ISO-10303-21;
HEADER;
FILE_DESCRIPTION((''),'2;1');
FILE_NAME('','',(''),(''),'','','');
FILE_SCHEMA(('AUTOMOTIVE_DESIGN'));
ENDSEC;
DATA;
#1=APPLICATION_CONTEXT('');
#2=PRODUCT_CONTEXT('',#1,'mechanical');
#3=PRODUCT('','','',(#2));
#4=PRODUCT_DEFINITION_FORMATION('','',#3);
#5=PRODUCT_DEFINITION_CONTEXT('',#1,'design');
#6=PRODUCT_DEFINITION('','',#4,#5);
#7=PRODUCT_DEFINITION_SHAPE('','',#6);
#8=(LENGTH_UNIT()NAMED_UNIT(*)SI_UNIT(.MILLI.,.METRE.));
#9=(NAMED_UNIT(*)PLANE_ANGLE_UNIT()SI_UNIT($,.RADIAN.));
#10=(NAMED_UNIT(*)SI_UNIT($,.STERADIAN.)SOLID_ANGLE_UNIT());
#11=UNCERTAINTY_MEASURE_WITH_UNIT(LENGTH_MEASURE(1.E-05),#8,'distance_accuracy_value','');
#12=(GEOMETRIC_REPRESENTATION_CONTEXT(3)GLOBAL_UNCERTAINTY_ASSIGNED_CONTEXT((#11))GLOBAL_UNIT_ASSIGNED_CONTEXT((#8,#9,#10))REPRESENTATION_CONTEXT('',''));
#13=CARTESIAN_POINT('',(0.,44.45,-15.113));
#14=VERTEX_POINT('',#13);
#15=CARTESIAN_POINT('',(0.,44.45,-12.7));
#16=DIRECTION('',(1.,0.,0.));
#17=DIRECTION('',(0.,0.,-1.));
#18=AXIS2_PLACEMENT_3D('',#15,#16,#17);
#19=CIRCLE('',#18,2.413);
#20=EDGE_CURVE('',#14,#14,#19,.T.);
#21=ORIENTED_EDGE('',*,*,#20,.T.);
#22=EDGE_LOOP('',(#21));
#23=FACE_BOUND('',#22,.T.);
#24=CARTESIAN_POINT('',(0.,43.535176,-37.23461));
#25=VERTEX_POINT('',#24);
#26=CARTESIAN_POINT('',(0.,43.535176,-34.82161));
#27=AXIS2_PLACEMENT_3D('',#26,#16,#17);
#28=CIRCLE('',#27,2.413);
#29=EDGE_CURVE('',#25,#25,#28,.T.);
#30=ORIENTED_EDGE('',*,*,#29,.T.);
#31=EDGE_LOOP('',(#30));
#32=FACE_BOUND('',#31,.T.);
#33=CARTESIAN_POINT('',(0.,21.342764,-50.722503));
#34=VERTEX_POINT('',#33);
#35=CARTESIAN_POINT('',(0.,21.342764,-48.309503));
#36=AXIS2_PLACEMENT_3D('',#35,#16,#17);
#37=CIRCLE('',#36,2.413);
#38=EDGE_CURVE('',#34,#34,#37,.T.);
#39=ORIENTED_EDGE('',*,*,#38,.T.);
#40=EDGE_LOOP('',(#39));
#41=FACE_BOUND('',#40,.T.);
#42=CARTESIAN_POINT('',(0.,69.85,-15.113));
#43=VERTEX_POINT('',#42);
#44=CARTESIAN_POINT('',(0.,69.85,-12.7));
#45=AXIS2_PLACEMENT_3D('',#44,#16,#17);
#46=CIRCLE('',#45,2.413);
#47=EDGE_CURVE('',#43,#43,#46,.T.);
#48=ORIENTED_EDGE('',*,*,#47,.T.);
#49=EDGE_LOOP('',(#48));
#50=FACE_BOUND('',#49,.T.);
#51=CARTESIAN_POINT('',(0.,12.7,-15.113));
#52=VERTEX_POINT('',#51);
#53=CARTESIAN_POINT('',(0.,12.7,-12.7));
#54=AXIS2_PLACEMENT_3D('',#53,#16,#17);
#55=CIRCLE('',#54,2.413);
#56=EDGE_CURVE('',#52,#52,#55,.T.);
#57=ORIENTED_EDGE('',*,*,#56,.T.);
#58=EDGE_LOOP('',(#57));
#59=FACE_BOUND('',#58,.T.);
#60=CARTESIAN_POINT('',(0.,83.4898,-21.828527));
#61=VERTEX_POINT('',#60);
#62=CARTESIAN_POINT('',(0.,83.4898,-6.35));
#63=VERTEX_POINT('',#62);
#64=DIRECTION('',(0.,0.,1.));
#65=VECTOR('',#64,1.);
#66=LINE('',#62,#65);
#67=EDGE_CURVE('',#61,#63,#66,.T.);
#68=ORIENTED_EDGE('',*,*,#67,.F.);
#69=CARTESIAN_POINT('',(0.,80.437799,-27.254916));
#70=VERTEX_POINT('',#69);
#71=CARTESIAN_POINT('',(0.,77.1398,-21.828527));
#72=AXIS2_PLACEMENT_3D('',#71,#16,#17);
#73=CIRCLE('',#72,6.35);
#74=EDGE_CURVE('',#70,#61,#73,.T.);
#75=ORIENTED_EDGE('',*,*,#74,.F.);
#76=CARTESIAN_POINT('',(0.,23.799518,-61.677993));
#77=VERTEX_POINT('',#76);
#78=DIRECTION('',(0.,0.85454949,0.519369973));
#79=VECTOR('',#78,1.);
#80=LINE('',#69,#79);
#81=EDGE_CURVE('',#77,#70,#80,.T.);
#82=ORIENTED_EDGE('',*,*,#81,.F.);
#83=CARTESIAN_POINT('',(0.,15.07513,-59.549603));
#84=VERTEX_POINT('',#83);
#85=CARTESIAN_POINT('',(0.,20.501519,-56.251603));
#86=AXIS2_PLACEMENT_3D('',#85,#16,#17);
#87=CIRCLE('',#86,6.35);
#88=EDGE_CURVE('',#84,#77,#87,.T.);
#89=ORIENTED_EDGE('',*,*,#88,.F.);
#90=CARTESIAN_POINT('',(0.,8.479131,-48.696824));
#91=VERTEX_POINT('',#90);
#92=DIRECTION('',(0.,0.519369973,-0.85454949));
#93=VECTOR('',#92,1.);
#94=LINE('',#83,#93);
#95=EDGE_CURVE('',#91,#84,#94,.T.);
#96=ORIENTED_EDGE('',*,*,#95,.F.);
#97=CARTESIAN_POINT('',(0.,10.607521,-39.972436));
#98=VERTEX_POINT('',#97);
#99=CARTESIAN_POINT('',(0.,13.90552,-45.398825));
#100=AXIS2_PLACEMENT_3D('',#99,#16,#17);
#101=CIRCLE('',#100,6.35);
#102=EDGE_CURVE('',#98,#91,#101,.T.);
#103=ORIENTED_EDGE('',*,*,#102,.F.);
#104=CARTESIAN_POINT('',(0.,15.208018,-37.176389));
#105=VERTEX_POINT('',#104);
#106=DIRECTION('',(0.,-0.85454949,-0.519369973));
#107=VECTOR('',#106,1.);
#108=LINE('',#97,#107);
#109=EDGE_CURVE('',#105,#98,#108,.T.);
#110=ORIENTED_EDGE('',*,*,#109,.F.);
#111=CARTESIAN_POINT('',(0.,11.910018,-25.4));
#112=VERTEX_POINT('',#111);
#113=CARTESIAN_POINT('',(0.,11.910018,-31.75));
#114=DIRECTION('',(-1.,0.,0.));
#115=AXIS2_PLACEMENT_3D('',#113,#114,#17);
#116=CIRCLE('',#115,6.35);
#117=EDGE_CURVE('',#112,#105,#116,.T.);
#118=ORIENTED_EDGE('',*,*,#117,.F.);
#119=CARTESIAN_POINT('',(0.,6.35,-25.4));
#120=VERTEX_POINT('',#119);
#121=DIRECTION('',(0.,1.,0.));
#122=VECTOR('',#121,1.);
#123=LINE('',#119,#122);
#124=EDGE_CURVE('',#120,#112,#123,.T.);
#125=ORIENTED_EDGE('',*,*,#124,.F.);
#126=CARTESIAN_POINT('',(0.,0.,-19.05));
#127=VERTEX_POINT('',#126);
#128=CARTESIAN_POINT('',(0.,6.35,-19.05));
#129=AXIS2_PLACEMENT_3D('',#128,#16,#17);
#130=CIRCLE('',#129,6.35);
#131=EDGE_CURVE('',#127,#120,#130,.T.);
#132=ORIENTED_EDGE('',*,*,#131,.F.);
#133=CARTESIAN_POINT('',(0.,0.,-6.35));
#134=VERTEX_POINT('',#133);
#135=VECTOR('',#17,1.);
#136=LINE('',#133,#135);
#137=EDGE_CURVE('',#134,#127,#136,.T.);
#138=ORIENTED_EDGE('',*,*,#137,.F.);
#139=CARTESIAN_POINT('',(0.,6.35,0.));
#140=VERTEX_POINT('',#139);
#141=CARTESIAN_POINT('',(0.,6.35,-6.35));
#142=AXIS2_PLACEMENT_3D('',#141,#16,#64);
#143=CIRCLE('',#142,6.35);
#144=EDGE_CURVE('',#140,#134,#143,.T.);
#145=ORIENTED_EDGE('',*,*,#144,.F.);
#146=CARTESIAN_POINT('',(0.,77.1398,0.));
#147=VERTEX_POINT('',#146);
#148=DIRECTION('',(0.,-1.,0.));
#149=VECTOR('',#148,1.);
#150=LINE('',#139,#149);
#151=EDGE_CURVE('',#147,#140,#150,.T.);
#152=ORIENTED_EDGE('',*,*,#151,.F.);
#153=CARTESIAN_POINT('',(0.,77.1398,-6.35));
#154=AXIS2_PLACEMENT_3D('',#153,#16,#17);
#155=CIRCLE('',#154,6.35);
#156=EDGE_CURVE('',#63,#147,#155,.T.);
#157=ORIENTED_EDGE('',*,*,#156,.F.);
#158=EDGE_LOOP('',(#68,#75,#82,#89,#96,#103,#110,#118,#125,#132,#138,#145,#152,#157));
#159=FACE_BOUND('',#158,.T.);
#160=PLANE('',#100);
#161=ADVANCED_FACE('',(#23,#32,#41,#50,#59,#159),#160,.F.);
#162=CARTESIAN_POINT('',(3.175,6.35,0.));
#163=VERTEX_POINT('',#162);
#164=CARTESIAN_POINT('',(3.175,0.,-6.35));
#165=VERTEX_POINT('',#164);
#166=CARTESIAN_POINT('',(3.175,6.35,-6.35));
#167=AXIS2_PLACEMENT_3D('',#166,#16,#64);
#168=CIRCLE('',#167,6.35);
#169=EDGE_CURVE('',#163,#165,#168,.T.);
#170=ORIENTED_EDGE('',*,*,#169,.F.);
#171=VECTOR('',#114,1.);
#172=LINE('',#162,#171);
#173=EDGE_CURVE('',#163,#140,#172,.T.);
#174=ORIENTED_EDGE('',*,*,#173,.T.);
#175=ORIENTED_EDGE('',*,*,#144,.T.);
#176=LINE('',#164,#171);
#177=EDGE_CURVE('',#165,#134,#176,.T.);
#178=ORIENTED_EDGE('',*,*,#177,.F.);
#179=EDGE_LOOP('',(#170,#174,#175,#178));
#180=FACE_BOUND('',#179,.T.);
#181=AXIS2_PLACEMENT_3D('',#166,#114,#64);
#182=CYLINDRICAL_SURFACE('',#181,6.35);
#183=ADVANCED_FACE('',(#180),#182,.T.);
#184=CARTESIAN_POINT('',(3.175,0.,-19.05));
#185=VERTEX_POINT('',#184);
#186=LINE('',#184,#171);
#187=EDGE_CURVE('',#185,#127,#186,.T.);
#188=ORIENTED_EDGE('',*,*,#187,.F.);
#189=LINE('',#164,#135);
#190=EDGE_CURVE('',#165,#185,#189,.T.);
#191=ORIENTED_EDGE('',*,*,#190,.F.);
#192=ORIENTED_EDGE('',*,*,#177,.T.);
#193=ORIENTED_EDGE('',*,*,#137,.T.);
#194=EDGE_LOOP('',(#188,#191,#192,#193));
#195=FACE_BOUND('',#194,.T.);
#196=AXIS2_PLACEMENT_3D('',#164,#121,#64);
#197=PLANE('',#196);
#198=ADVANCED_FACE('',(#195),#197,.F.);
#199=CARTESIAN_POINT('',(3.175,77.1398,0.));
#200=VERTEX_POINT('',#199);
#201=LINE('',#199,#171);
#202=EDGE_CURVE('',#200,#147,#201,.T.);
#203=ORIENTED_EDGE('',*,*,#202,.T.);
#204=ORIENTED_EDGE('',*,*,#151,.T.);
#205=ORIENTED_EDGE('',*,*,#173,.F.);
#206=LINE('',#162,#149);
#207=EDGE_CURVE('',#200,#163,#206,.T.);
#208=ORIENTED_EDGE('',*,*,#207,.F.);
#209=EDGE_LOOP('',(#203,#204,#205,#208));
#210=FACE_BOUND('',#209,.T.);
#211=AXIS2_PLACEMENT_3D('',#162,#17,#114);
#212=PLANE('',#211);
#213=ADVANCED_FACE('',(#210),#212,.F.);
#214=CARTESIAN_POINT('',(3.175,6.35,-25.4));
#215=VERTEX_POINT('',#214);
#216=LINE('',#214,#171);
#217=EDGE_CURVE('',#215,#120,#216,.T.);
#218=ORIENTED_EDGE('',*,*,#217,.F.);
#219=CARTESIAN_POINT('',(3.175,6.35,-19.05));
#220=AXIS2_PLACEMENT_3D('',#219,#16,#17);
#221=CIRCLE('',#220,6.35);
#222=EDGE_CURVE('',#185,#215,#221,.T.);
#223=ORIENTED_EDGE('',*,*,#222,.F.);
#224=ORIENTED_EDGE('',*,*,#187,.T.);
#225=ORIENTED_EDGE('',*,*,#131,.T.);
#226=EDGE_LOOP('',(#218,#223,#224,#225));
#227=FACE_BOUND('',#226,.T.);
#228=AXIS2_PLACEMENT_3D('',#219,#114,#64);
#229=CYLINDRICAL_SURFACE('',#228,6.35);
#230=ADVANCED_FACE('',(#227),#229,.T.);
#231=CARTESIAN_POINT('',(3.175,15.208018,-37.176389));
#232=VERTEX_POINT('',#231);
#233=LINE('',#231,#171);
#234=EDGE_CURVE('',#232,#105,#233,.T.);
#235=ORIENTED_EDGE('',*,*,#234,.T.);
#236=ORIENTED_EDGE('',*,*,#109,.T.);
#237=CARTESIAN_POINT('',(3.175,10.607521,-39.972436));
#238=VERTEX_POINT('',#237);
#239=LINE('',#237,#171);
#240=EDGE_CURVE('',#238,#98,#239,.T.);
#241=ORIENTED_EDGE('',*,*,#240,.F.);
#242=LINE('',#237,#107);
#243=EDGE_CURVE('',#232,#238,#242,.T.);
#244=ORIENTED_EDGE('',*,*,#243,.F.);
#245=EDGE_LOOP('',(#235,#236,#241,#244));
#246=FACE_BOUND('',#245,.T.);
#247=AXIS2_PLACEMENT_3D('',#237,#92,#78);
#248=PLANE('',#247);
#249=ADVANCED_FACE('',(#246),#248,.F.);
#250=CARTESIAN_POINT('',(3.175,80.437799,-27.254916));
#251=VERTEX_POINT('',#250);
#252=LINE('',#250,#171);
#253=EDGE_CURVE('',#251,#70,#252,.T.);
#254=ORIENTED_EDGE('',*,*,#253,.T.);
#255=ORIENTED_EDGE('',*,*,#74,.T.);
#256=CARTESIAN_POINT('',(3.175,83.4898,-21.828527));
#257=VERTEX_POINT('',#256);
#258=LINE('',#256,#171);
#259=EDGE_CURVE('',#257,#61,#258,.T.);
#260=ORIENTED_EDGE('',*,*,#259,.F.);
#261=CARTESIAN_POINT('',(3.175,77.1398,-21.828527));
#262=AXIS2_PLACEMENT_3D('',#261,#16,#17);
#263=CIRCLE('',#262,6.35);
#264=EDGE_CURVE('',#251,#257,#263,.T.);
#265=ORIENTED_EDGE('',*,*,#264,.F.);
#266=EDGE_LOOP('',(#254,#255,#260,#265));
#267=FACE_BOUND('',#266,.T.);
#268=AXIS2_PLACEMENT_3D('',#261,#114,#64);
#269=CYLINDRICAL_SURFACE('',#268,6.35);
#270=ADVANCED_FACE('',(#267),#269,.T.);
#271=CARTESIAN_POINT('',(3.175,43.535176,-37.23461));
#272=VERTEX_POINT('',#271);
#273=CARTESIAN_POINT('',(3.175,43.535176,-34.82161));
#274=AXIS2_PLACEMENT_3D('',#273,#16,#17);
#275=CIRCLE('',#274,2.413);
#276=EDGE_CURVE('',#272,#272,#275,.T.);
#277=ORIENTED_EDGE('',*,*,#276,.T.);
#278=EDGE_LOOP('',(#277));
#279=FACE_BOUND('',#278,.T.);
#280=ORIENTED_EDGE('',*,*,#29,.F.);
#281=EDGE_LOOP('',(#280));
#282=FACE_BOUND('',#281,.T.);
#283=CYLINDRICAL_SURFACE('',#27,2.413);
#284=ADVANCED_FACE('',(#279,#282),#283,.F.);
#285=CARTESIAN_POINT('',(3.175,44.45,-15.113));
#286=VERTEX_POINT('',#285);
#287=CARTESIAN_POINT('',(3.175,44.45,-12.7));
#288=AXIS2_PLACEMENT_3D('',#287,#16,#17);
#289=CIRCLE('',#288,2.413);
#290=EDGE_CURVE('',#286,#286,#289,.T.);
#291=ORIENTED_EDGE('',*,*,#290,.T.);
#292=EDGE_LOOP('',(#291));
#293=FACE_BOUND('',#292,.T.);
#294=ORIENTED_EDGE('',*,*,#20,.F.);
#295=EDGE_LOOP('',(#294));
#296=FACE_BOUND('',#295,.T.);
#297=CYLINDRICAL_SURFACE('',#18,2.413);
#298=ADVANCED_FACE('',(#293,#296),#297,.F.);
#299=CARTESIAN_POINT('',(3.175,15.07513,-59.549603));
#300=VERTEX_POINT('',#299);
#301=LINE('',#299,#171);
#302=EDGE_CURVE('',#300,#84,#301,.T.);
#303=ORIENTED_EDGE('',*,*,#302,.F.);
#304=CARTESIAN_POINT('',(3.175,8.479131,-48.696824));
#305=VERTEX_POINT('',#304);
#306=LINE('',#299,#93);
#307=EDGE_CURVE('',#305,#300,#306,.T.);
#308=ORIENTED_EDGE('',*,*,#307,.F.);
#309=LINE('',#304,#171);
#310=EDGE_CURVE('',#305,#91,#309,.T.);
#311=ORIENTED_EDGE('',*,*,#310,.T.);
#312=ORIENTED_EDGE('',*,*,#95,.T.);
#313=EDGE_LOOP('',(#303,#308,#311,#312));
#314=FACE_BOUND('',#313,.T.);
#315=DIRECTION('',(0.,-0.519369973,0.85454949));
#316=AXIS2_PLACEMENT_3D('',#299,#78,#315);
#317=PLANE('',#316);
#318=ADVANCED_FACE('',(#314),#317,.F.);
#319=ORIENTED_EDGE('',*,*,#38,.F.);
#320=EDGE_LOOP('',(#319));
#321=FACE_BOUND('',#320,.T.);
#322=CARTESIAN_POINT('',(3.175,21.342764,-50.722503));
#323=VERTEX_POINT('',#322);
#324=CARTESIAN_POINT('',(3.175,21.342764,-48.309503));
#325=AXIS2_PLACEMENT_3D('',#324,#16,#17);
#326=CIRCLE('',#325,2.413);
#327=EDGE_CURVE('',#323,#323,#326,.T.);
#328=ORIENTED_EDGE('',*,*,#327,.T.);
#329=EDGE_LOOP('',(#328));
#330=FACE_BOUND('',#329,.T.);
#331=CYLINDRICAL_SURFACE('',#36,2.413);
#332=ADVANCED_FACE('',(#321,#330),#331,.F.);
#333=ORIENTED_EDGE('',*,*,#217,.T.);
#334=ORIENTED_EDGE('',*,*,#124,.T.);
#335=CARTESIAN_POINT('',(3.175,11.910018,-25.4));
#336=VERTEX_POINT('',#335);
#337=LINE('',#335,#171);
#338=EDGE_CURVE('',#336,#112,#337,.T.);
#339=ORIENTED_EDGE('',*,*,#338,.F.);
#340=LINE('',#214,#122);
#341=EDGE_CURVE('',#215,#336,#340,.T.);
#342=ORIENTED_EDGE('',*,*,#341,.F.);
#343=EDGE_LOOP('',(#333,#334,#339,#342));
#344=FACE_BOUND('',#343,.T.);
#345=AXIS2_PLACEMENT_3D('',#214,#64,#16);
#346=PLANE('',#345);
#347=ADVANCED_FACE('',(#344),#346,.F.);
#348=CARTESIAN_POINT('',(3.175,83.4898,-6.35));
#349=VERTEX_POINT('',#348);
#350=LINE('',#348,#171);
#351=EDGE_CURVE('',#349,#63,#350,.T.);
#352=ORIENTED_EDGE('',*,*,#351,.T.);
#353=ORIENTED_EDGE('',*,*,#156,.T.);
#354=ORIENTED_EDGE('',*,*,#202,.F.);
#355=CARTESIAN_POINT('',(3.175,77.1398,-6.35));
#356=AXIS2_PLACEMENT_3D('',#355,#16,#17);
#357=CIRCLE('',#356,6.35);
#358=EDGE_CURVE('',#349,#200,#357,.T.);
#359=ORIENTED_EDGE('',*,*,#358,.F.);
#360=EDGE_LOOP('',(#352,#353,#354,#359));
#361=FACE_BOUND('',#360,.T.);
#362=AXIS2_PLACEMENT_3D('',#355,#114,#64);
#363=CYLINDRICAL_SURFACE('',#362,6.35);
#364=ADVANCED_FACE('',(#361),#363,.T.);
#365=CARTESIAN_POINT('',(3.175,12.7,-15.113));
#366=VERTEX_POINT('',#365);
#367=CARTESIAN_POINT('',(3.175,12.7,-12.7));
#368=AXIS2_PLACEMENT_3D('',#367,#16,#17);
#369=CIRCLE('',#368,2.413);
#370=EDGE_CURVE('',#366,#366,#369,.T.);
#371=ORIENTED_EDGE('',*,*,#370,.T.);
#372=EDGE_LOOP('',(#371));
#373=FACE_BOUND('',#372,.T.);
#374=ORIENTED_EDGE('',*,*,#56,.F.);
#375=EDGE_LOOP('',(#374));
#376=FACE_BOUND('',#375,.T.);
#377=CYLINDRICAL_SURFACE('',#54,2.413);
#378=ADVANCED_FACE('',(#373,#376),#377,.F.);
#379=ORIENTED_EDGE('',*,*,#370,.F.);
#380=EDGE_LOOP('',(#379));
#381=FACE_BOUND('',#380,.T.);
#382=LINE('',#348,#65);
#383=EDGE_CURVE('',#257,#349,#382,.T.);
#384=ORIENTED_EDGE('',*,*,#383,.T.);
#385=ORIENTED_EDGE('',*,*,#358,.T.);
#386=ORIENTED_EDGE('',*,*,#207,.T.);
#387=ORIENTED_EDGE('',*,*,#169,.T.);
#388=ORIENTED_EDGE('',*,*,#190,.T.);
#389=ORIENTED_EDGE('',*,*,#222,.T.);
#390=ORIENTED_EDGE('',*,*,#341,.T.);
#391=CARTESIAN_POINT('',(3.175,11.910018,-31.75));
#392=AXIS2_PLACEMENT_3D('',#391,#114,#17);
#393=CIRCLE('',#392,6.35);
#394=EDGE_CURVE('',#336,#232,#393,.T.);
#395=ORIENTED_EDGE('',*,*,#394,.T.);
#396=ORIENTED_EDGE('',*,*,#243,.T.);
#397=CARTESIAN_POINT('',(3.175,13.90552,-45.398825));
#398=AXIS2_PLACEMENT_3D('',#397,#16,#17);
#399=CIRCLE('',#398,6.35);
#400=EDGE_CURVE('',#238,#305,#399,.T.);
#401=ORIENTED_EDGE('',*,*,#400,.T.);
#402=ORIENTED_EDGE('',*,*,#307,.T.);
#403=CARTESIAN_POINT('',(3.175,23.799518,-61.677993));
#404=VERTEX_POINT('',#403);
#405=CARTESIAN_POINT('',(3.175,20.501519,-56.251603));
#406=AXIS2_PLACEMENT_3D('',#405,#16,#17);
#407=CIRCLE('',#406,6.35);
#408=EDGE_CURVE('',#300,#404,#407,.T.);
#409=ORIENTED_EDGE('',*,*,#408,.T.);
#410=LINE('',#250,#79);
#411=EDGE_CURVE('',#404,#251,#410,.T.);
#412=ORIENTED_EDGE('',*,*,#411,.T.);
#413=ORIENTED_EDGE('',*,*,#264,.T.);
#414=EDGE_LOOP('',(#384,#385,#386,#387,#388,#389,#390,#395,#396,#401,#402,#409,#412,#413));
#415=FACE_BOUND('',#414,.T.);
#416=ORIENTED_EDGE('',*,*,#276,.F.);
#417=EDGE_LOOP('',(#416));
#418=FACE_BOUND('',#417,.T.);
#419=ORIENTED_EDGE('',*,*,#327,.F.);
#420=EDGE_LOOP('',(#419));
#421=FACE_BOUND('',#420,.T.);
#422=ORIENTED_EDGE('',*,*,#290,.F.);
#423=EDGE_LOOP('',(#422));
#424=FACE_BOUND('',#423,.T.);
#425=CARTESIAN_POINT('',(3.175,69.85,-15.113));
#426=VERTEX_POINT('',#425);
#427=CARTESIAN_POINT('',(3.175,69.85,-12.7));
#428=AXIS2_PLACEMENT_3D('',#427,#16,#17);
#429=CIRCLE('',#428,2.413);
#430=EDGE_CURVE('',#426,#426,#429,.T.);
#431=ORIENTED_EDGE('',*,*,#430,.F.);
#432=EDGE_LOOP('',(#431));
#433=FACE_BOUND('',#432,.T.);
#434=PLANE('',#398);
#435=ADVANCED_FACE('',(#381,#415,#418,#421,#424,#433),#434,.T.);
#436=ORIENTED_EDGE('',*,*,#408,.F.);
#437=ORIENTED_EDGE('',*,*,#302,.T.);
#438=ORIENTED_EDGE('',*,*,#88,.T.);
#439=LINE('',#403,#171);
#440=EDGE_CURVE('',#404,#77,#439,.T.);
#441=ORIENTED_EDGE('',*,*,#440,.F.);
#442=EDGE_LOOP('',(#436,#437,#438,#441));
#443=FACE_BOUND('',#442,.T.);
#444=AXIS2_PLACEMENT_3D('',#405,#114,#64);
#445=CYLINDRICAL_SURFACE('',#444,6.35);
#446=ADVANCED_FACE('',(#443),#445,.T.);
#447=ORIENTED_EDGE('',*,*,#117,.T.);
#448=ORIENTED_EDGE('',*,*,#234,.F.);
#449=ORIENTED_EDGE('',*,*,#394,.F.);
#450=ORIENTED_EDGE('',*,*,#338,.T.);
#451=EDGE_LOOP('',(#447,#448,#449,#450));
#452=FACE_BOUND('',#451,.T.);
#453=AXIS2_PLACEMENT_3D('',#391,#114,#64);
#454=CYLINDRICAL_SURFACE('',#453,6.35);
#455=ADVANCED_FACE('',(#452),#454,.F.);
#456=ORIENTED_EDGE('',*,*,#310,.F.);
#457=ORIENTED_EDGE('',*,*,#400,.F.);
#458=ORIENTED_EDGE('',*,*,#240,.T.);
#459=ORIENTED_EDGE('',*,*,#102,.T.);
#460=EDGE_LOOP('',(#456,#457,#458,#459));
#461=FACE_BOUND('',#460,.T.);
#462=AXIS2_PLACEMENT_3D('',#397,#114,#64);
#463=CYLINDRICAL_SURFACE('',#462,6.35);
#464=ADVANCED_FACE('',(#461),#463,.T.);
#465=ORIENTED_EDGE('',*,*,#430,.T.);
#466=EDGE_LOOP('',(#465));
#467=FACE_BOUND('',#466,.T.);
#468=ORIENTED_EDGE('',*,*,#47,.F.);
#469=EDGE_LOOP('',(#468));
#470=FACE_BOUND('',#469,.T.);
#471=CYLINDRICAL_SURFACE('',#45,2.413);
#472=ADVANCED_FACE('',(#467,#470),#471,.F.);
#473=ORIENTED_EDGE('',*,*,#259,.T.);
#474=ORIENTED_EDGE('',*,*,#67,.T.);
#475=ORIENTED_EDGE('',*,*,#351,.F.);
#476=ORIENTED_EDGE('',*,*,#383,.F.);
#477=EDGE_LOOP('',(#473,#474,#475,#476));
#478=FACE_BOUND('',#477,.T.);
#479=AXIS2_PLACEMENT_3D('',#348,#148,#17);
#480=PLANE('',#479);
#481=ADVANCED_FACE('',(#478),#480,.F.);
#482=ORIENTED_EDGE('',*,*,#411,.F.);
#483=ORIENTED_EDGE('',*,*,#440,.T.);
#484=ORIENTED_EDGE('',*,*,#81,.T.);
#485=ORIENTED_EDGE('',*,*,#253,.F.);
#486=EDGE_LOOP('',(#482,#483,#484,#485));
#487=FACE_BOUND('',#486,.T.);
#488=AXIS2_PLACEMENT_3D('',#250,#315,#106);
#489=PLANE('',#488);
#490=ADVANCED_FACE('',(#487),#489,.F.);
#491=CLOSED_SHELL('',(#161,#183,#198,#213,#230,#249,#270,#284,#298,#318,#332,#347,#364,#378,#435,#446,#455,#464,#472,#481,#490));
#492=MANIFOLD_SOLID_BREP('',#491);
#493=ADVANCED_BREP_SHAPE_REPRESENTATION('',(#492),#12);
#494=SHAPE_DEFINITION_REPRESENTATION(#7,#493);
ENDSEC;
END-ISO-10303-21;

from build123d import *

# Parameters (mm, degrees)
BOSS_EXTRUDE1_DEPTH = 3.175
SKETCH2_R           = 2.413
CUT_EXTRUDE1_DEPTH  = 105.401092279


with BuildPart() as part:
    # Sketch1 → Boss-Extrude1 (new body)
    with BuildSketch(Plane(origin=(0, 0, 0), x_dir=(0, 0, -1), z_dir=(1, 0, 0))):
        with BuildLine():
            Line((27.254915981, 80.437799327), (61.677992598, 23.799518102))
            ThreePointArc((61.677992598, 23.799518102), (62.420677668, 18.996519818), (59.549602661, 15.075129511))
            Line((59.549602661, 15.075129511), (48.696824135, 8.479130857))
            ThreePointArc((48.696824135, 8.479130857), (43.89382585, 7.736445787), (39.972435544, 10.607520794))
            Line((39.972435544, 10.607520794), (37.176389263, 15.208017644))
            ThreePointArc((37.176389263, 15.208017644), (30.037556106, 18.024757552), (25.4, 11.910018317))
            Line((25.4, 11.910018317), (25.4, 6.35))
            ThreePointArc((25.4, 6.35), (23.540128061, 1.859871939), (19.05, 0))
            Line((19.05, 0), (6.35, 0))
            ThreePointArc((6.35, 0), (1.859871939, 1.859871939), (0, 6.35))
            Line((0, 6.35), (0, 77.1398))
            ThreePointArc((0, 77.1398), (1.859871939, 81.629928061), (6.35, 83.4898))
            Line((6.35, 83.4898), (21.828526718, 83.4898))
            ThreePointArc((21.828526718, 83.4898), (24.941419607, 82.674454268), (27.254915981, 80.437799327))
        make_face()
    extrude(amount=BOSS_EXTRUDE1_DEPTH)

    # Sketch2 → Cut-Extrude1 (cut, through all)
    with BuildSketch(Plane(origin=(3.175, 0, 0), x_dir=(0, 0, -1), z_dir=(1, 0, 0))):
        with Locations((12.7, 12.7)):
            Circle(SKETCH2_R)
        with Locations((12.7, 44.45)):
            Circle(SKETCH2_R)
        with Locations((12.7, 69.85)):
            Circle(SKETCH2_R)
        with Locations((34.821609996, 43.535175921)):
            Circle(SKETCH2_R)
        with Locations((48.30950313, 21.342764331)):
            Circle(SKETCH2_R)
    extrude(amount=-CUT_EXTRUDE1_DEPTH, mode=Mode.SUBTRACT)


solid = part.part
